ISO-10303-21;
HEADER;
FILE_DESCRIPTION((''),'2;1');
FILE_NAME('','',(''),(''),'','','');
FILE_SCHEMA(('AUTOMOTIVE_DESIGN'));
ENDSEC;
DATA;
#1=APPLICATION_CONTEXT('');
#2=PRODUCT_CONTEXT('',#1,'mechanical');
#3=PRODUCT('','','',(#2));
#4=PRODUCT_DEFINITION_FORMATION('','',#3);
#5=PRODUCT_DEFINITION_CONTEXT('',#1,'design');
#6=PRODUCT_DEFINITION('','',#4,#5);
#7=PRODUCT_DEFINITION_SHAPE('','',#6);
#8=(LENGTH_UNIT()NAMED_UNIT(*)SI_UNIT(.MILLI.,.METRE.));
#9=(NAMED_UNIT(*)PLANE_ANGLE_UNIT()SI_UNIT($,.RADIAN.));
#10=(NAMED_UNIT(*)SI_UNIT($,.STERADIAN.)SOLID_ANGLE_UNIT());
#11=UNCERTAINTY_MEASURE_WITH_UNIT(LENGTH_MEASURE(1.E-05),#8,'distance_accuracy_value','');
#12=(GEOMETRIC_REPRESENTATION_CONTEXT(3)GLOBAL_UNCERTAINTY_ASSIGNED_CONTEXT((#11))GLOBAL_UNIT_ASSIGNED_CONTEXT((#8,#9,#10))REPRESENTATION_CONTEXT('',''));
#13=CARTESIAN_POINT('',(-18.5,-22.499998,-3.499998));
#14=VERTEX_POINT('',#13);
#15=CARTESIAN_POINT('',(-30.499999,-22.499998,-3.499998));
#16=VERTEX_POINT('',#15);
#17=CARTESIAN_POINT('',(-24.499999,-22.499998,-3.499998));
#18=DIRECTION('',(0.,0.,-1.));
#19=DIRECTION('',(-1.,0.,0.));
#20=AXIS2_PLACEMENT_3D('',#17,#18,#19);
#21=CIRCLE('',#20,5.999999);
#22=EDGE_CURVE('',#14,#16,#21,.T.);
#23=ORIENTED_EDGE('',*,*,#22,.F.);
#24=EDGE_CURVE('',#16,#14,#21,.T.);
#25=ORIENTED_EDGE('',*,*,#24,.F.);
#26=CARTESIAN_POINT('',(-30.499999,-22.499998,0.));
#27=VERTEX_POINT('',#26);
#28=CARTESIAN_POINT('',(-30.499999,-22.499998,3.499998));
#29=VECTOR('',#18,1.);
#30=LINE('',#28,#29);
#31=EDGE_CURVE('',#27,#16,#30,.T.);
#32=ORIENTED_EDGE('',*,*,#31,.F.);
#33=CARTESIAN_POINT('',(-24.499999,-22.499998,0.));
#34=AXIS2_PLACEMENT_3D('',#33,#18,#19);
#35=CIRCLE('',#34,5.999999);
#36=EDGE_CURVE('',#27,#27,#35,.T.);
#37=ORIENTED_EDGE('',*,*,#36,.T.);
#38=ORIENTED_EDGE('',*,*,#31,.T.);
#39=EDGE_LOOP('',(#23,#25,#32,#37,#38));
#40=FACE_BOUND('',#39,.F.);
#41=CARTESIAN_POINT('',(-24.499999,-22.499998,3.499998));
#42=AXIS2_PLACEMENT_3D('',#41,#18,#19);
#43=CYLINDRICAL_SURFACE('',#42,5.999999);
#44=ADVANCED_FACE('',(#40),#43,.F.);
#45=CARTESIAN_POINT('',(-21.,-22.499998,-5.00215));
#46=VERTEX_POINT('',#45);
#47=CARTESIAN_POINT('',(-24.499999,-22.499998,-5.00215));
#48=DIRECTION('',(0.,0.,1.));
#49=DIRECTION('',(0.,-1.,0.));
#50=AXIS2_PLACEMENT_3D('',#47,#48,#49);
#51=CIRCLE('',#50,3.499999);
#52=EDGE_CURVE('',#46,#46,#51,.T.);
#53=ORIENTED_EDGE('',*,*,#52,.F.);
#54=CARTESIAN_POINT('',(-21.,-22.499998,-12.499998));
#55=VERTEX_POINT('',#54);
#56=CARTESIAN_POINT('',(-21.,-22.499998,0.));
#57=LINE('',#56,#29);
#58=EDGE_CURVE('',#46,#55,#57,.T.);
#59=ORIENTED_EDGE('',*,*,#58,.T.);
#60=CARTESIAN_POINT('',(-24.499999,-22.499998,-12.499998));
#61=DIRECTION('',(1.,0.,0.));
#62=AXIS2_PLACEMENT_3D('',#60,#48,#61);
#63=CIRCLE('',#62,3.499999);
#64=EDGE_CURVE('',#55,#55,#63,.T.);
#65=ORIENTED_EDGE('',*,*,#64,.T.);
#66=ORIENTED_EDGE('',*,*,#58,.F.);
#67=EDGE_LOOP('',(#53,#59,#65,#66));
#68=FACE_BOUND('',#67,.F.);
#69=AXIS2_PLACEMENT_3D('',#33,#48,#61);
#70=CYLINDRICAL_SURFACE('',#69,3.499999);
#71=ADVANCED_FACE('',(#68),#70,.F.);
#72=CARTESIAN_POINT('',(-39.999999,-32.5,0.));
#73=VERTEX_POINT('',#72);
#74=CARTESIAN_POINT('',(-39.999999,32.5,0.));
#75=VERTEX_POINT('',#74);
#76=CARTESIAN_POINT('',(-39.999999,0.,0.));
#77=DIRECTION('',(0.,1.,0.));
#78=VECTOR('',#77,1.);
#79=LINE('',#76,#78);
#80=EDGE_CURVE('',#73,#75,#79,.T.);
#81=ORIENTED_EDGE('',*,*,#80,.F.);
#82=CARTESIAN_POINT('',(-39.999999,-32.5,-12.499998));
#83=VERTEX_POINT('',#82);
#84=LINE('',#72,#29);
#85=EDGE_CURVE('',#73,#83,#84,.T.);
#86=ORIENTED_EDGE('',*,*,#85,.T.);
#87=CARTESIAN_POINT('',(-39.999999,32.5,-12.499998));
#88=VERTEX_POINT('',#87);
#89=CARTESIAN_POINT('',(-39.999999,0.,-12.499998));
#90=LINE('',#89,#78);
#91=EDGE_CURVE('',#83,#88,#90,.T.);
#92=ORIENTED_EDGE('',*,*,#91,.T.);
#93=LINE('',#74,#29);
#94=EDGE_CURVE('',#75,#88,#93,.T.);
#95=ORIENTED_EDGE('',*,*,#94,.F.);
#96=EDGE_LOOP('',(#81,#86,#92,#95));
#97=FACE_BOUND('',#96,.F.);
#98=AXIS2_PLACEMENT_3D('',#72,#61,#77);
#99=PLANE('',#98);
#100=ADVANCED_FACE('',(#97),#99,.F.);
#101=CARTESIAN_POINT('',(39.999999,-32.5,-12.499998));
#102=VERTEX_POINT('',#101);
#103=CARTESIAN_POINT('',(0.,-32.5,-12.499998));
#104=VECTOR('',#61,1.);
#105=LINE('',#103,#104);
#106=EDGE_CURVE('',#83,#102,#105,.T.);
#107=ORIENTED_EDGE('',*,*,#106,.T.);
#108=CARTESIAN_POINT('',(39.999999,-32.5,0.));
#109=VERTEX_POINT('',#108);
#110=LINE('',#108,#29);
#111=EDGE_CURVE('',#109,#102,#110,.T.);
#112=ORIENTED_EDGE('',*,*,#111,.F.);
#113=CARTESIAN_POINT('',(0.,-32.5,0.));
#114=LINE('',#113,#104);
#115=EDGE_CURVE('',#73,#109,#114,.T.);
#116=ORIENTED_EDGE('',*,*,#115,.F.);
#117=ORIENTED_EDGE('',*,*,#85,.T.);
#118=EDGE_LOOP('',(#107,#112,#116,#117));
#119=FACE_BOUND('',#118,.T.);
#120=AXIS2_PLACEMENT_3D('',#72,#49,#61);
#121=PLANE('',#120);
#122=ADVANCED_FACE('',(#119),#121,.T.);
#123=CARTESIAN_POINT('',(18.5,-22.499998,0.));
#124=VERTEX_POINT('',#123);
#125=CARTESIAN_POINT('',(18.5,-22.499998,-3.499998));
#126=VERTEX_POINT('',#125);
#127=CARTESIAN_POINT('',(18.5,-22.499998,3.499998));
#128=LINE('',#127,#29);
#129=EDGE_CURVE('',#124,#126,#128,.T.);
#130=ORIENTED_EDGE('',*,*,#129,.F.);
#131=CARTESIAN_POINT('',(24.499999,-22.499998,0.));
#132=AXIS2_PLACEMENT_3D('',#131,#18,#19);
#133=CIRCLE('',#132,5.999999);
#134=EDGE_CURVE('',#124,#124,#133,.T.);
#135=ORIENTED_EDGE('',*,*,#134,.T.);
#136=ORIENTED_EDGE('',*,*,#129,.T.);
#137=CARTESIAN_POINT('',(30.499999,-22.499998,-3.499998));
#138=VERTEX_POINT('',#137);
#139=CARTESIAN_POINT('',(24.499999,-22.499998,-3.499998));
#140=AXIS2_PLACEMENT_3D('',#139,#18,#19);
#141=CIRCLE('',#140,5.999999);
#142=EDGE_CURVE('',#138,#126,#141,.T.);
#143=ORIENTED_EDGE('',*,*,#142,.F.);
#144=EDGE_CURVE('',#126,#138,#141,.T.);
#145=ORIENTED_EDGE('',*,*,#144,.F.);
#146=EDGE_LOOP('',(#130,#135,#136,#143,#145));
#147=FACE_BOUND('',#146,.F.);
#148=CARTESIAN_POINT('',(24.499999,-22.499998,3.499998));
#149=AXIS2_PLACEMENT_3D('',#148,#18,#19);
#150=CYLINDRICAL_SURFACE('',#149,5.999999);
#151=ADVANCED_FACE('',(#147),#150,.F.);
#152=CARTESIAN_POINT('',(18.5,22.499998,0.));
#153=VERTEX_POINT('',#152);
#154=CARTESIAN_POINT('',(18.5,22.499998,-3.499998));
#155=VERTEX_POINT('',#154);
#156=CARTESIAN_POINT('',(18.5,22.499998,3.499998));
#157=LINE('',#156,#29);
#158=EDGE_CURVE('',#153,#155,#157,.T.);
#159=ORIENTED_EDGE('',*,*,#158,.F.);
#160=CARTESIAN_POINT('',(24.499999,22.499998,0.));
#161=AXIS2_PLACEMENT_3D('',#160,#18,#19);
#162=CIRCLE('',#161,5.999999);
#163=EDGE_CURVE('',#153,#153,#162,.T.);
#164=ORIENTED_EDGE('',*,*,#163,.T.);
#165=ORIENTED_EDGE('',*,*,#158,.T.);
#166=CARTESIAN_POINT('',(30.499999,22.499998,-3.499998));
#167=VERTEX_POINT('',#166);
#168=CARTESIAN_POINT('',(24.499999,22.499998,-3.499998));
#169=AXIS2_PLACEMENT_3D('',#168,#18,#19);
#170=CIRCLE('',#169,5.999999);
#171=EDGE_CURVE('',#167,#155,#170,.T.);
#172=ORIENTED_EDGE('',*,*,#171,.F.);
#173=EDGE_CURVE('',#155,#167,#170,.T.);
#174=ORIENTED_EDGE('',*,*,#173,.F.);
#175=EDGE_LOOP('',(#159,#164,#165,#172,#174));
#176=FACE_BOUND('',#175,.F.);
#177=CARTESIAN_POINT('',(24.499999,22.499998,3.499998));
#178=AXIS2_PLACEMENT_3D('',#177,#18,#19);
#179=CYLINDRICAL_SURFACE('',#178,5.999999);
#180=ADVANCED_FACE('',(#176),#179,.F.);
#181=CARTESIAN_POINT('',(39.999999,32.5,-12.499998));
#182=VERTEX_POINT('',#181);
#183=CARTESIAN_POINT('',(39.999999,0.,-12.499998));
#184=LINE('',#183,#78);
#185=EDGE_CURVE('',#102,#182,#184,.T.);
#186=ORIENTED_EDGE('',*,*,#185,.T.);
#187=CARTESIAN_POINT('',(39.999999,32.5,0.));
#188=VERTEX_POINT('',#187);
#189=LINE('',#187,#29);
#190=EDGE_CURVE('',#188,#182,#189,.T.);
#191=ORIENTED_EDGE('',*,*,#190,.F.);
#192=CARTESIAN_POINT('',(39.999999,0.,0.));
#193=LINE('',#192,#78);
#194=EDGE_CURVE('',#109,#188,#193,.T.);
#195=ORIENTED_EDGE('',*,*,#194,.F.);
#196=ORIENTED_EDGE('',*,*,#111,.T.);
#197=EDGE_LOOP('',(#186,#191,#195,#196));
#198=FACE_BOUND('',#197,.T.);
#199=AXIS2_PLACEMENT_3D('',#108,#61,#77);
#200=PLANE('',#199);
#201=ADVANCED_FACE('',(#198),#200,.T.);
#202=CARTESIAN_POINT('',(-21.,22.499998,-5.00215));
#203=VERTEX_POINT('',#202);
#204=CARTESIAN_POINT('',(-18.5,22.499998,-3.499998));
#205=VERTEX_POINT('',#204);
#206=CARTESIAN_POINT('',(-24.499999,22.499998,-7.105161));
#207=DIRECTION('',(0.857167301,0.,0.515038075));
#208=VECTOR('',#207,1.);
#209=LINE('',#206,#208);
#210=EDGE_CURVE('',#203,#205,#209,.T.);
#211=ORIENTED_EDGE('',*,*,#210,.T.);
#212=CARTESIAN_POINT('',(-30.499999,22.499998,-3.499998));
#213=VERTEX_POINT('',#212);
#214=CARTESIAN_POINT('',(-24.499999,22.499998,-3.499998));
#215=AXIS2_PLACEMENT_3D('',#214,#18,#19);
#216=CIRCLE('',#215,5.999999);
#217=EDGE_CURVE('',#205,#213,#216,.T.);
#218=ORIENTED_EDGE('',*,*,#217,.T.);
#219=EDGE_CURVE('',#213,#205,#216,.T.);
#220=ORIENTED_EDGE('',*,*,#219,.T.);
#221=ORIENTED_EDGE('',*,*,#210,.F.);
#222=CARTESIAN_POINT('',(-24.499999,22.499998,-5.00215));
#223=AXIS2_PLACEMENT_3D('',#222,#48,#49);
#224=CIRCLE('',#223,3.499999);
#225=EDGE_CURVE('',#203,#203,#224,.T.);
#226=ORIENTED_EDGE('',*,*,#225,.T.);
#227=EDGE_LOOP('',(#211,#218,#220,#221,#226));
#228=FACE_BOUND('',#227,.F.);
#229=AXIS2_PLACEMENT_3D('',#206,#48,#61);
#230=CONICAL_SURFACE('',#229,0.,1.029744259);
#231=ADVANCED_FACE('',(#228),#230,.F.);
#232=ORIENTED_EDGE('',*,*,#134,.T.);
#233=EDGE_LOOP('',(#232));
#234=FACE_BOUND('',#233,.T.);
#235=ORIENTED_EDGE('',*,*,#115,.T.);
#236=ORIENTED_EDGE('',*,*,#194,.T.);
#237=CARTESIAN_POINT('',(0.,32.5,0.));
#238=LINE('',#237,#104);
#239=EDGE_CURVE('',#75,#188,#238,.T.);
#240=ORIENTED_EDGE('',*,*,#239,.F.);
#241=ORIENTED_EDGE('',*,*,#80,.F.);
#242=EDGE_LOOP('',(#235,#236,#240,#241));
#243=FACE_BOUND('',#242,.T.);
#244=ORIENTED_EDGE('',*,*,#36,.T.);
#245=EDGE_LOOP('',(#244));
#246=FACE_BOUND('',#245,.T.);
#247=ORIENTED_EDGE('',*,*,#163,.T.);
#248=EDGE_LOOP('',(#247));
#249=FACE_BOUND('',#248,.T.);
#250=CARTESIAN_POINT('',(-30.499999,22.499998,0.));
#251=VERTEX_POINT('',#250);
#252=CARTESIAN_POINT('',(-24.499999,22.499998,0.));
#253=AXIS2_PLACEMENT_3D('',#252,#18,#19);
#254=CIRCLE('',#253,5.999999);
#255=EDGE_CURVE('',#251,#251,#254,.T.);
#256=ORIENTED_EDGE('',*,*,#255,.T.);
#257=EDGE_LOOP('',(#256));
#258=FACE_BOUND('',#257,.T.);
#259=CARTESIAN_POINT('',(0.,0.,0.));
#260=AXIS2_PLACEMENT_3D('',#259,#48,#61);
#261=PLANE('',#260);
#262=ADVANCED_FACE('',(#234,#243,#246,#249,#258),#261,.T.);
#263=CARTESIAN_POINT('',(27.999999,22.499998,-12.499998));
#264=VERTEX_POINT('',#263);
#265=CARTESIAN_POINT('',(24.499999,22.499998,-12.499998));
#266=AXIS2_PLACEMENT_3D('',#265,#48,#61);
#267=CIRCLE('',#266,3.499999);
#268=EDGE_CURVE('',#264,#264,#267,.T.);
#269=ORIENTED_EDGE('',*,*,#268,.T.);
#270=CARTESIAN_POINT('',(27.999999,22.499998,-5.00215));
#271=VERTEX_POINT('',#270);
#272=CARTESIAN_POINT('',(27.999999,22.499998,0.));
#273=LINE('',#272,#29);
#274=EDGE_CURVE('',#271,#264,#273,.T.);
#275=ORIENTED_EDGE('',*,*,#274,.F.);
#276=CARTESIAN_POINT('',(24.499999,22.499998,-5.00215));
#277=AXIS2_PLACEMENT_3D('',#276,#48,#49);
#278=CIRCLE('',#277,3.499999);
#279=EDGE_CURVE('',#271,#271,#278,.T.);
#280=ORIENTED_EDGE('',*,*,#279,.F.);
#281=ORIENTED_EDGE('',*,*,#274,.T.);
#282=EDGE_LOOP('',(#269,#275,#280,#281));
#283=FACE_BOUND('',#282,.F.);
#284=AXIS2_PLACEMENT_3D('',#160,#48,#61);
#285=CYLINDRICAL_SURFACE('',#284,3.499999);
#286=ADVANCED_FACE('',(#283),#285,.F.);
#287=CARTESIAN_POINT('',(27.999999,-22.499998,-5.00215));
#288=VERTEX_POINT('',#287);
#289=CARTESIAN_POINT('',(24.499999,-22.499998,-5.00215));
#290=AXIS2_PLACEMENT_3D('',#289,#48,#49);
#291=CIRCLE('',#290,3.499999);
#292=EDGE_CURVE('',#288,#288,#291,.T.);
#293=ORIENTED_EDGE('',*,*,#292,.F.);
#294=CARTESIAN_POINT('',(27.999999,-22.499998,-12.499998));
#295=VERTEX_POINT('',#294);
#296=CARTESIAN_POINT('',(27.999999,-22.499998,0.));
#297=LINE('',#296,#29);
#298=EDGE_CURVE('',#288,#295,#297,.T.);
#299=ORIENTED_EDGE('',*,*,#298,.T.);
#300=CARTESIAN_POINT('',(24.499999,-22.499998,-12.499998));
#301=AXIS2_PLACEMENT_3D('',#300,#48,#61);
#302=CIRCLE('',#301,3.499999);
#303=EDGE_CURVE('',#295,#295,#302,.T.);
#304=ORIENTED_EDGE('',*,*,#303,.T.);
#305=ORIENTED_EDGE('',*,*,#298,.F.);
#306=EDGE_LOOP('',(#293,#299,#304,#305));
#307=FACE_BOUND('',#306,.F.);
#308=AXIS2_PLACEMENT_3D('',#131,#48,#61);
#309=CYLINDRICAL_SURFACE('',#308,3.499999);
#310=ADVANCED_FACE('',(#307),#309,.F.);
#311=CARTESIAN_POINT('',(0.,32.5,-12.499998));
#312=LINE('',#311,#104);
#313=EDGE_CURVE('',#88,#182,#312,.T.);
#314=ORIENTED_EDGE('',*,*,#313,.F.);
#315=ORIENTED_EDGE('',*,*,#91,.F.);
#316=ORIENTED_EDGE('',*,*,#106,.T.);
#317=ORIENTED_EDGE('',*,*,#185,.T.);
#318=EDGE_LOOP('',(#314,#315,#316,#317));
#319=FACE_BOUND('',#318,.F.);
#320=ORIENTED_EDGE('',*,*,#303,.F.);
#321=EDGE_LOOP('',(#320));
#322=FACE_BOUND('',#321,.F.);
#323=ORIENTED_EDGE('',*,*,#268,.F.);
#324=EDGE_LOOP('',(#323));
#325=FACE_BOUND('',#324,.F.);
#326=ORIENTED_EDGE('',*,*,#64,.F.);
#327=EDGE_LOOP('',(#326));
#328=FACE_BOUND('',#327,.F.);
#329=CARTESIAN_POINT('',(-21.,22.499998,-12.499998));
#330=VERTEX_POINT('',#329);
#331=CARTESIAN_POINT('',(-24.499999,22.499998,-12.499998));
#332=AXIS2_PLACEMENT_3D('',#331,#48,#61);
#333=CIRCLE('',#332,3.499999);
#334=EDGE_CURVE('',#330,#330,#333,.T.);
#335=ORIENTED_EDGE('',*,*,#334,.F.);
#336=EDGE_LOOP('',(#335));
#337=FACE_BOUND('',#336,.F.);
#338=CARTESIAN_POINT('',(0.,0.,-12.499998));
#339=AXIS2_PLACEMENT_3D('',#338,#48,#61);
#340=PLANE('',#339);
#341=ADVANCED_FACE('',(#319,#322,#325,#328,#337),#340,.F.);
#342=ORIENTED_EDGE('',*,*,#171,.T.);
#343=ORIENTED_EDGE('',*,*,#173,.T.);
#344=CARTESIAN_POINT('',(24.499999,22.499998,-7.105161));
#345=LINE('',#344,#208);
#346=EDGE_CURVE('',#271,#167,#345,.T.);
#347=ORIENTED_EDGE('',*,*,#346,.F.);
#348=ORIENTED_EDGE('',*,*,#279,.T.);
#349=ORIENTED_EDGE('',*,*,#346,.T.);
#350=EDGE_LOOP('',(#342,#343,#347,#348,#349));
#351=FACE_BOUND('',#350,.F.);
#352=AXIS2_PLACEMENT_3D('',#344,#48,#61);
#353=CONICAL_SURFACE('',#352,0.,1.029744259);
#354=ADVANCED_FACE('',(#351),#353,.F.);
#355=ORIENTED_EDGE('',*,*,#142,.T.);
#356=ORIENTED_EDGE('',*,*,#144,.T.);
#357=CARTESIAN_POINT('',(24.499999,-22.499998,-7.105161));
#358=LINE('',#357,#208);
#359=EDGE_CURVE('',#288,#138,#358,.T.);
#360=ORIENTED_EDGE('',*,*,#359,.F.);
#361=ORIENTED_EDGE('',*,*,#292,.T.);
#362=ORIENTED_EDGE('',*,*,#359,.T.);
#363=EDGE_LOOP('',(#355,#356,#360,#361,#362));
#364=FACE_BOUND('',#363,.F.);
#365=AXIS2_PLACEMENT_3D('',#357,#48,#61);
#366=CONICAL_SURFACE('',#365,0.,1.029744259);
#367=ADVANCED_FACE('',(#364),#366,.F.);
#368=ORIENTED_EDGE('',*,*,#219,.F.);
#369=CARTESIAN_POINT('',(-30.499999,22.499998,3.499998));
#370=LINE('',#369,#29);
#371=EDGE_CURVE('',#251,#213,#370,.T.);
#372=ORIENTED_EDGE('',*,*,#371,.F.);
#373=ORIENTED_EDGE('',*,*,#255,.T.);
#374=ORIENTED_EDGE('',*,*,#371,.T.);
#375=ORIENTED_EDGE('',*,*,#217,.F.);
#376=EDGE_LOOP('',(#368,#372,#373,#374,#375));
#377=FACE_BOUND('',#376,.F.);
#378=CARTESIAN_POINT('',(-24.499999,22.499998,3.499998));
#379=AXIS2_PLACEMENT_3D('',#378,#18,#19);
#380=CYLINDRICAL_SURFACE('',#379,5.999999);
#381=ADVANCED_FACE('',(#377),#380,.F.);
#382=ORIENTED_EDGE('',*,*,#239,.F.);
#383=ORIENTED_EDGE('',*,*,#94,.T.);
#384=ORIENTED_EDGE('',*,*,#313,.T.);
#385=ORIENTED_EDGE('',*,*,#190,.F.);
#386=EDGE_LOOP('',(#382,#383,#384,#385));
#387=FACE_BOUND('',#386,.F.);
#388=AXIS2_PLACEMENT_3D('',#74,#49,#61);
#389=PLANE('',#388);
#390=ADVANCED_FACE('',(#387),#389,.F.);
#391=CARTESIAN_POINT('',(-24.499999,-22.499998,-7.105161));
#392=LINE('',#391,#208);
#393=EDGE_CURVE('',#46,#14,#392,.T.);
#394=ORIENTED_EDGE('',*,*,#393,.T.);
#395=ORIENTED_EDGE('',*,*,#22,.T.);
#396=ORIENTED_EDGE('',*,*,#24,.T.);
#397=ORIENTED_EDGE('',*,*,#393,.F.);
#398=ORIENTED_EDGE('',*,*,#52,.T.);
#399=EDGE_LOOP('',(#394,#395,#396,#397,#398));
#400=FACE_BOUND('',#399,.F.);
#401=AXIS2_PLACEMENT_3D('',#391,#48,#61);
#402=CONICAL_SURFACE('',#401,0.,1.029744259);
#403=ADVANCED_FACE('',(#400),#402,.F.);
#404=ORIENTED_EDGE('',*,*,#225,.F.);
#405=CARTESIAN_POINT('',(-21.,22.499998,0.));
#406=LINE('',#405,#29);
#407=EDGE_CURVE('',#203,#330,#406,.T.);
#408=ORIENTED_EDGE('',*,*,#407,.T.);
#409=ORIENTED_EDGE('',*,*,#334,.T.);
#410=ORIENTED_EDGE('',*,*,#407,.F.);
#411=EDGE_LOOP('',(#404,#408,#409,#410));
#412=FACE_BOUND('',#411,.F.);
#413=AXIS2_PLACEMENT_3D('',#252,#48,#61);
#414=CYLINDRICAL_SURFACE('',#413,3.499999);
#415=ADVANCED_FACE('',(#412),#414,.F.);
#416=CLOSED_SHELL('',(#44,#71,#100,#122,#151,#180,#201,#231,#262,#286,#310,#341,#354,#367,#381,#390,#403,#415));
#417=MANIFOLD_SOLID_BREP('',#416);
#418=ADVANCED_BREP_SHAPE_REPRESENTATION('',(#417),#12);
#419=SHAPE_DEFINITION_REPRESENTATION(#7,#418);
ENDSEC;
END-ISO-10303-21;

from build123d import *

# Parameters (mm, degrees)
F0_W     = 79.99999748
F0_H     = 64.99999954
F0_R     = 3.49999935
F1_DEPTH = 12.49999786
F2_D     = 11.99999886
F2_DEPTH = 3.49999808
F2_TIP   = 3.6051633717


with BuildPart() as f1:
    # F0 (on Top) → F1 (new body)
    with BuildSketch(Plane.XY):
        Rectangle(F0_W, F0_H)
        with Locations((-24.49999926, -22.49999818)):
            Circle(F0_R, mode=Mode.SUBTRACT)
        with Locations((24.49999926, -22.49999818)):
            Circle(F0_R, mode=Mode.SUBTRACT)
        with Locations((-24.49999926, 22.49999818)):
            Circle(F0_R, mode=Mode.SUBTRACT)
        with Locations((24.49999926, 22.49999818)):
            Circle(F0_R, mode=Mode.SUBTRACT)
    extrude(amount=-F1_DEPTH)

    # F2
    with Locations(Plane.XY):
        with Locations((24.49999926, -22.49999818), (-24.49999926, -22.49999818), (-24.49999926, 22.49999818), (24.49999926, 22.49999818)):
            Hole(F2_D / 2, depth=F2_DEPTH)
            with Locations((0, 0, -(F2_DEPTH + F2_TIP / 2))):  # 118° drill point
                Cone(0, F2_D / 2, F2_TIP, mode=Mode.SUBTRACT)


solid = f1.part
